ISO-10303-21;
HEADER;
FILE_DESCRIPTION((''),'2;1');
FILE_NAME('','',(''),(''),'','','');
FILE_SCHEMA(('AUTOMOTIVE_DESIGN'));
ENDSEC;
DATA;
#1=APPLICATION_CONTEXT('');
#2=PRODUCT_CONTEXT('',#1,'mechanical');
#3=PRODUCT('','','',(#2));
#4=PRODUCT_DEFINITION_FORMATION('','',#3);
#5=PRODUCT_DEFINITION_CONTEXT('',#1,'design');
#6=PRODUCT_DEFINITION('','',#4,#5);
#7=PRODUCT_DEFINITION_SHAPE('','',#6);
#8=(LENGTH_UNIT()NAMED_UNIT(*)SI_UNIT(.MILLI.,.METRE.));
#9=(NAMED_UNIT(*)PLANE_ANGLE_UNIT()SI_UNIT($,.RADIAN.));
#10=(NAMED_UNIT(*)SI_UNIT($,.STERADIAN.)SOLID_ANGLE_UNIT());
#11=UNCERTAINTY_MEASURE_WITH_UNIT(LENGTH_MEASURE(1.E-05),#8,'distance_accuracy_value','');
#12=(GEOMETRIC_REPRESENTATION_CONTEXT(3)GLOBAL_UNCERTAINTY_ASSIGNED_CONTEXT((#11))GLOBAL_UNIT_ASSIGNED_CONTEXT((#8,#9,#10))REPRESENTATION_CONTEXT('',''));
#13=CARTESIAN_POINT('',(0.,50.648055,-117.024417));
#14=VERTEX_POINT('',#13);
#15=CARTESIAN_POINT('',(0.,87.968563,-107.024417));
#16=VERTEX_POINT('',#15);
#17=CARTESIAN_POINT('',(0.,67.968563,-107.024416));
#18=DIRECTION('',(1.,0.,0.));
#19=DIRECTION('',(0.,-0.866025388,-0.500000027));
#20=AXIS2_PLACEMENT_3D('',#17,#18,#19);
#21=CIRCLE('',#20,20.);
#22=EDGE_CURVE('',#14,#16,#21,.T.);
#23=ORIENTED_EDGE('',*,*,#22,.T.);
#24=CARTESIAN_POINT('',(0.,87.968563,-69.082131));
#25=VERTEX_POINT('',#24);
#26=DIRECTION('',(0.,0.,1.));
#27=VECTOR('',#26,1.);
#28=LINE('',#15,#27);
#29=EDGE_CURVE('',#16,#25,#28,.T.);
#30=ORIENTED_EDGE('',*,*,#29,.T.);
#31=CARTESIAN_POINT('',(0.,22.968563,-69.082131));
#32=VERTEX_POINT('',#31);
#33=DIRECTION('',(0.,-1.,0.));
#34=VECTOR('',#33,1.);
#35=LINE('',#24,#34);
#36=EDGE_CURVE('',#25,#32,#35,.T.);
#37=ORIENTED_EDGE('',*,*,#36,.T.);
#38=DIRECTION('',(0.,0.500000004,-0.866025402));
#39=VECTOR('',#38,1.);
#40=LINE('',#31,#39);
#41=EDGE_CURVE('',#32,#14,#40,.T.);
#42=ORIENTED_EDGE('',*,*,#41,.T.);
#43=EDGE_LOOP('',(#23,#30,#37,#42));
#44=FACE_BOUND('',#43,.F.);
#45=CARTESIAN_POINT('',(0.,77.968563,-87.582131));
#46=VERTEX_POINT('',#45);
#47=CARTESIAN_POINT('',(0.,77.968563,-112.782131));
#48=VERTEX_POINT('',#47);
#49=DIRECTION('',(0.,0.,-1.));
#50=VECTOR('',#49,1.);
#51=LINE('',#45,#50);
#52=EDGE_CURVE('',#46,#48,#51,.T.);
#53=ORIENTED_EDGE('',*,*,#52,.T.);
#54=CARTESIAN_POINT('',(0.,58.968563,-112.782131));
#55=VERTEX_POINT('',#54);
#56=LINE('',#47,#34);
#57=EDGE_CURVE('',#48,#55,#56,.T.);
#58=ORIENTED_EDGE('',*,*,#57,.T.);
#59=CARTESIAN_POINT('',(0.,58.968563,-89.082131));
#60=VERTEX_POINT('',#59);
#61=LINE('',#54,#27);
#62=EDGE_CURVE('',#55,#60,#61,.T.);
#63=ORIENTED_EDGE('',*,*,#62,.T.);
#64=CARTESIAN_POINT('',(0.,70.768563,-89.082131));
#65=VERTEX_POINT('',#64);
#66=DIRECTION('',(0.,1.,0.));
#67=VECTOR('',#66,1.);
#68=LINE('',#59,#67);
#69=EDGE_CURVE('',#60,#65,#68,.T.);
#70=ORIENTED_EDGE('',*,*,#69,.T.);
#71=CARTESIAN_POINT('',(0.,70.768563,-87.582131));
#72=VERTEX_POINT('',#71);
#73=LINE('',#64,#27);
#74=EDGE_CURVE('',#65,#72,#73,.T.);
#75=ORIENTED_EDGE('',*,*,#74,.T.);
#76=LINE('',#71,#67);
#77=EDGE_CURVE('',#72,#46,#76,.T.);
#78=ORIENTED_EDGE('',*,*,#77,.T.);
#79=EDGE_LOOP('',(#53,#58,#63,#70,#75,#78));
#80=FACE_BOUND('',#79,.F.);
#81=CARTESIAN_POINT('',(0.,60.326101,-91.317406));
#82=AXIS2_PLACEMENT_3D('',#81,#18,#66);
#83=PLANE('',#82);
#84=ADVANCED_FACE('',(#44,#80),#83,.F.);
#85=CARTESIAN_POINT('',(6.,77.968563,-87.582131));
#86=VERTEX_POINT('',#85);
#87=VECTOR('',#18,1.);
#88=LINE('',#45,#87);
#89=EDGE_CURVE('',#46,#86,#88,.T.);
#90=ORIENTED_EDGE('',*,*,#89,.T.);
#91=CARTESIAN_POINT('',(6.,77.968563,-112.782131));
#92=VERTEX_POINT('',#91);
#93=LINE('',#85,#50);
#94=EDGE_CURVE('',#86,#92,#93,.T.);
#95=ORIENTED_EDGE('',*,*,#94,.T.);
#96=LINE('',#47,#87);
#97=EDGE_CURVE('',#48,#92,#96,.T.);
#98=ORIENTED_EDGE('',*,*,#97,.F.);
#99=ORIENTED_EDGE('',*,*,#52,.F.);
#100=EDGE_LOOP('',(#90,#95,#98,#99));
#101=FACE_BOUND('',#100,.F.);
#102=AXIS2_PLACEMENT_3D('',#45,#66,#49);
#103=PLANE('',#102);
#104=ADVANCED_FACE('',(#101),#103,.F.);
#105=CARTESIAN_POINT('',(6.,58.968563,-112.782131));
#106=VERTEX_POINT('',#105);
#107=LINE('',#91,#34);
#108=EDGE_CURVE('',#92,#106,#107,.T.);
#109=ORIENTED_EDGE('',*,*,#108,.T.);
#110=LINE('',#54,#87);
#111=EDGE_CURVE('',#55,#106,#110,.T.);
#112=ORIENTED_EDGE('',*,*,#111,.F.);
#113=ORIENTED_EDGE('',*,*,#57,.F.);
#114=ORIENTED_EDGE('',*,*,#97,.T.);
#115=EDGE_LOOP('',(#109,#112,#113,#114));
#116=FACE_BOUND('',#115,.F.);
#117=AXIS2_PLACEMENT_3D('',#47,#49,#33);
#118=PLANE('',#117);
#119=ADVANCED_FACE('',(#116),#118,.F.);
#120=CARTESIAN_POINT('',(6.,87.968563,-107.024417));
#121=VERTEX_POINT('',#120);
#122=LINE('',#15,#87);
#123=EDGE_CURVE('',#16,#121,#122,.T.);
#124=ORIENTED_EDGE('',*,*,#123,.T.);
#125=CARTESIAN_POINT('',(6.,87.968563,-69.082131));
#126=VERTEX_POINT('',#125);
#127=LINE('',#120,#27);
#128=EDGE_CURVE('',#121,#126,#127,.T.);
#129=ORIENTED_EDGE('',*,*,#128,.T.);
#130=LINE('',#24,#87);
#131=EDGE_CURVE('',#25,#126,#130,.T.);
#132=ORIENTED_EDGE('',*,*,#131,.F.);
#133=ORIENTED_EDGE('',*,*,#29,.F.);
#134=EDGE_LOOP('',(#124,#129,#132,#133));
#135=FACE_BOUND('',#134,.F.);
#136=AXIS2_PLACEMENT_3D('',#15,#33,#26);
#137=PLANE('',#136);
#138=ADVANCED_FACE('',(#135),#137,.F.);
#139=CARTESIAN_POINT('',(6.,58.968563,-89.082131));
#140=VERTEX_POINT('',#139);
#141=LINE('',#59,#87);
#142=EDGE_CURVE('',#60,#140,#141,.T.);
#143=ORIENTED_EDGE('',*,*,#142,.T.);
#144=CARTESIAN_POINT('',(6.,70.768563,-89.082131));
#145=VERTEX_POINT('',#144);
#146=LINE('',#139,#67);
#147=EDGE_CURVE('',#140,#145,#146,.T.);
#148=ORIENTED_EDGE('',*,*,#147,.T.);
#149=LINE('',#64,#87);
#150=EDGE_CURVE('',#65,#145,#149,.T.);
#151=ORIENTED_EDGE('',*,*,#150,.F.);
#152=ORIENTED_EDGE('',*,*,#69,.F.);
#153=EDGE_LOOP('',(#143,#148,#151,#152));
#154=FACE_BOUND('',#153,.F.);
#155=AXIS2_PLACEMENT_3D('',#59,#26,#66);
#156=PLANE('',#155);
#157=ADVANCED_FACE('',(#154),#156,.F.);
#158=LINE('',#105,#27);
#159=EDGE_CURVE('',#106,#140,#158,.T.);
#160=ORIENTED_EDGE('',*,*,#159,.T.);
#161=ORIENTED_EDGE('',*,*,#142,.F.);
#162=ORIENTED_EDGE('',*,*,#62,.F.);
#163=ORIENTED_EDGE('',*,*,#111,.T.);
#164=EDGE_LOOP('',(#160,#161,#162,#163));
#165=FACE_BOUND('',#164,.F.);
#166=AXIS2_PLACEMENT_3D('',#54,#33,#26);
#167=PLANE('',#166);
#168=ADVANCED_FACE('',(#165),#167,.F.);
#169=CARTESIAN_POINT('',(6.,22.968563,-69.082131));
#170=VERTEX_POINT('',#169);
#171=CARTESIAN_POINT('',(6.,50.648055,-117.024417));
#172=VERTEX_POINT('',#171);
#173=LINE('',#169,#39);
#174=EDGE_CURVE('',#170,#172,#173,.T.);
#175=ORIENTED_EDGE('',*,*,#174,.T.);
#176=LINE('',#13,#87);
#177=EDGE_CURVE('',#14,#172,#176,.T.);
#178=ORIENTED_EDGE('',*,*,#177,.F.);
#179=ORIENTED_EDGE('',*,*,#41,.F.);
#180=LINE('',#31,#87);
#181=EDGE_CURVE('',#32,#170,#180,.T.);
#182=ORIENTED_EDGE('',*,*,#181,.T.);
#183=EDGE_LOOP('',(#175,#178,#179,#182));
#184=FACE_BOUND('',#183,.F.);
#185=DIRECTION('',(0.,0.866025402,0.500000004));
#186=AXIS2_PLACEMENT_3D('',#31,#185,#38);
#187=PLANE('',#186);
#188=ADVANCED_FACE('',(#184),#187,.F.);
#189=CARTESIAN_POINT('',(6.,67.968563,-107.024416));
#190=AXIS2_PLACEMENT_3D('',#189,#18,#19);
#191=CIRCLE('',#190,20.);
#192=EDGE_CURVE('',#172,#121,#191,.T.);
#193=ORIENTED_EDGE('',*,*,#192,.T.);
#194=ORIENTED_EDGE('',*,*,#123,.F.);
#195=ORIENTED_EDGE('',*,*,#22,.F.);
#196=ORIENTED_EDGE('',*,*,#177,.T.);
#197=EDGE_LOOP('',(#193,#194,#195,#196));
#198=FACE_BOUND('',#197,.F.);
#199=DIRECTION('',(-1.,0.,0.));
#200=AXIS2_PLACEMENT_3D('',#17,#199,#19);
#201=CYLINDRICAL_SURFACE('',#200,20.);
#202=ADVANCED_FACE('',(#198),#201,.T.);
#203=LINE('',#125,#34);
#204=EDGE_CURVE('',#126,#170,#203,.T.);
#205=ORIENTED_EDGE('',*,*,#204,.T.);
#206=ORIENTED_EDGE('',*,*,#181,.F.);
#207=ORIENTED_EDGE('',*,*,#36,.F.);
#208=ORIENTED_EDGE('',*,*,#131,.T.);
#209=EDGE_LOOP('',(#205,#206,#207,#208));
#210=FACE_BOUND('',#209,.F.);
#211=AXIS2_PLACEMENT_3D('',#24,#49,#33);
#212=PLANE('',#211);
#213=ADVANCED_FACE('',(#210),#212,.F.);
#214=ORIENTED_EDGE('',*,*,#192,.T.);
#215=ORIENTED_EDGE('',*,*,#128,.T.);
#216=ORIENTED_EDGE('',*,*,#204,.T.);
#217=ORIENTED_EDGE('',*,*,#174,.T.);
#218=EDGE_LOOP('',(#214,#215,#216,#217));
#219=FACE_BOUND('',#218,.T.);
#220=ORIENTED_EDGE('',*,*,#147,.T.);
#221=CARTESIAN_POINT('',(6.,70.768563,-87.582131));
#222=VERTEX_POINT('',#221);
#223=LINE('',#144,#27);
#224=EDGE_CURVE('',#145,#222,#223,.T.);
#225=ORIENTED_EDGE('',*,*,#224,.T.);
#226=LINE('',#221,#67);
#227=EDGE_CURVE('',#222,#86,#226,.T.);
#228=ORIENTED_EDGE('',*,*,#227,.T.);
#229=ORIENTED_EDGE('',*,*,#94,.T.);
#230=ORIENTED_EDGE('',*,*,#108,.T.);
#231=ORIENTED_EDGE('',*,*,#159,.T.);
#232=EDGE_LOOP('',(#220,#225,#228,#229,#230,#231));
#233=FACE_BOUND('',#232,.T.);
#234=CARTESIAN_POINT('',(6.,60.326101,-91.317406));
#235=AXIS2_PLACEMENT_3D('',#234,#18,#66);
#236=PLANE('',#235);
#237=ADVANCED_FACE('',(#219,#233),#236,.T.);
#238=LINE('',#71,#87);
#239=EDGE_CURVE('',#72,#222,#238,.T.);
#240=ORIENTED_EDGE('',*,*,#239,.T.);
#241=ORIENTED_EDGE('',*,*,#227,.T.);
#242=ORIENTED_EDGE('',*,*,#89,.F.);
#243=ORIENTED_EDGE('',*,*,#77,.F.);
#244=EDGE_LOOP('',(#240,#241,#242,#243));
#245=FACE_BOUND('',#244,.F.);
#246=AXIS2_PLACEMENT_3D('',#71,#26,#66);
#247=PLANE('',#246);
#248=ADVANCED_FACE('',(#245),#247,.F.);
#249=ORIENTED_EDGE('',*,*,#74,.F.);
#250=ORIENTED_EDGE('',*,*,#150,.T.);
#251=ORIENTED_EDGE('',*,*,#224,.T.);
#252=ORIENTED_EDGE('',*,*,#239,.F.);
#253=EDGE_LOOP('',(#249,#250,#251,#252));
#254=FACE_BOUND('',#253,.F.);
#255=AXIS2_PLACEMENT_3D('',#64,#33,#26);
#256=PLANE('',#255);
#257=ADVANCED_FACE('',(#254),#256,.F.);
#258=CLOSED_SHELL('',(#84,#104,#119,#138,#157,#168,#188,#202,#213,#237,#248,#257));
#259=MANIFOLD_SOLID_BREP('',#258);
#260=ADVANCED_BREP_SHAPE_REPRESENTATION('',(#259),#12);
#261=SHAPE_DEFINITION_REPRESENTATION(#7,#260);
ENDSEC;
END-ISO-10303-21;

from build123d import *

# Parameters (mm, degrees)
F1_DEPTH = 6


with BuildPart() as f1:
    # F0 (on Right) → F1 (new body)
    with BuildSketch(Plane.YZ):
        with BuildLine():
            Line((87.968563, -69.082131), (22.968563, -69.082131))
            Line((22.968563, -69.082131), (50.648055, -117.024417))
            ThreePointArc((50.648055, -117.024417), (73.144944, -126.342933), (87.968563, -107.024417))
            Line((87.968563, -107.024417), (87.968563, -69.082131))
        make_face()
        Polygon((58.968563, -112.782131), (58.968563, -89.082131), (70.768563, -89.082131), (70.768563, -87.582131), (77.968563, -87.582131), (77.968563, -112.782131), align=None, mode=Mode.SUBTRACT)
    extrude(amount=F1_DEPTH)


solid = f1.part
